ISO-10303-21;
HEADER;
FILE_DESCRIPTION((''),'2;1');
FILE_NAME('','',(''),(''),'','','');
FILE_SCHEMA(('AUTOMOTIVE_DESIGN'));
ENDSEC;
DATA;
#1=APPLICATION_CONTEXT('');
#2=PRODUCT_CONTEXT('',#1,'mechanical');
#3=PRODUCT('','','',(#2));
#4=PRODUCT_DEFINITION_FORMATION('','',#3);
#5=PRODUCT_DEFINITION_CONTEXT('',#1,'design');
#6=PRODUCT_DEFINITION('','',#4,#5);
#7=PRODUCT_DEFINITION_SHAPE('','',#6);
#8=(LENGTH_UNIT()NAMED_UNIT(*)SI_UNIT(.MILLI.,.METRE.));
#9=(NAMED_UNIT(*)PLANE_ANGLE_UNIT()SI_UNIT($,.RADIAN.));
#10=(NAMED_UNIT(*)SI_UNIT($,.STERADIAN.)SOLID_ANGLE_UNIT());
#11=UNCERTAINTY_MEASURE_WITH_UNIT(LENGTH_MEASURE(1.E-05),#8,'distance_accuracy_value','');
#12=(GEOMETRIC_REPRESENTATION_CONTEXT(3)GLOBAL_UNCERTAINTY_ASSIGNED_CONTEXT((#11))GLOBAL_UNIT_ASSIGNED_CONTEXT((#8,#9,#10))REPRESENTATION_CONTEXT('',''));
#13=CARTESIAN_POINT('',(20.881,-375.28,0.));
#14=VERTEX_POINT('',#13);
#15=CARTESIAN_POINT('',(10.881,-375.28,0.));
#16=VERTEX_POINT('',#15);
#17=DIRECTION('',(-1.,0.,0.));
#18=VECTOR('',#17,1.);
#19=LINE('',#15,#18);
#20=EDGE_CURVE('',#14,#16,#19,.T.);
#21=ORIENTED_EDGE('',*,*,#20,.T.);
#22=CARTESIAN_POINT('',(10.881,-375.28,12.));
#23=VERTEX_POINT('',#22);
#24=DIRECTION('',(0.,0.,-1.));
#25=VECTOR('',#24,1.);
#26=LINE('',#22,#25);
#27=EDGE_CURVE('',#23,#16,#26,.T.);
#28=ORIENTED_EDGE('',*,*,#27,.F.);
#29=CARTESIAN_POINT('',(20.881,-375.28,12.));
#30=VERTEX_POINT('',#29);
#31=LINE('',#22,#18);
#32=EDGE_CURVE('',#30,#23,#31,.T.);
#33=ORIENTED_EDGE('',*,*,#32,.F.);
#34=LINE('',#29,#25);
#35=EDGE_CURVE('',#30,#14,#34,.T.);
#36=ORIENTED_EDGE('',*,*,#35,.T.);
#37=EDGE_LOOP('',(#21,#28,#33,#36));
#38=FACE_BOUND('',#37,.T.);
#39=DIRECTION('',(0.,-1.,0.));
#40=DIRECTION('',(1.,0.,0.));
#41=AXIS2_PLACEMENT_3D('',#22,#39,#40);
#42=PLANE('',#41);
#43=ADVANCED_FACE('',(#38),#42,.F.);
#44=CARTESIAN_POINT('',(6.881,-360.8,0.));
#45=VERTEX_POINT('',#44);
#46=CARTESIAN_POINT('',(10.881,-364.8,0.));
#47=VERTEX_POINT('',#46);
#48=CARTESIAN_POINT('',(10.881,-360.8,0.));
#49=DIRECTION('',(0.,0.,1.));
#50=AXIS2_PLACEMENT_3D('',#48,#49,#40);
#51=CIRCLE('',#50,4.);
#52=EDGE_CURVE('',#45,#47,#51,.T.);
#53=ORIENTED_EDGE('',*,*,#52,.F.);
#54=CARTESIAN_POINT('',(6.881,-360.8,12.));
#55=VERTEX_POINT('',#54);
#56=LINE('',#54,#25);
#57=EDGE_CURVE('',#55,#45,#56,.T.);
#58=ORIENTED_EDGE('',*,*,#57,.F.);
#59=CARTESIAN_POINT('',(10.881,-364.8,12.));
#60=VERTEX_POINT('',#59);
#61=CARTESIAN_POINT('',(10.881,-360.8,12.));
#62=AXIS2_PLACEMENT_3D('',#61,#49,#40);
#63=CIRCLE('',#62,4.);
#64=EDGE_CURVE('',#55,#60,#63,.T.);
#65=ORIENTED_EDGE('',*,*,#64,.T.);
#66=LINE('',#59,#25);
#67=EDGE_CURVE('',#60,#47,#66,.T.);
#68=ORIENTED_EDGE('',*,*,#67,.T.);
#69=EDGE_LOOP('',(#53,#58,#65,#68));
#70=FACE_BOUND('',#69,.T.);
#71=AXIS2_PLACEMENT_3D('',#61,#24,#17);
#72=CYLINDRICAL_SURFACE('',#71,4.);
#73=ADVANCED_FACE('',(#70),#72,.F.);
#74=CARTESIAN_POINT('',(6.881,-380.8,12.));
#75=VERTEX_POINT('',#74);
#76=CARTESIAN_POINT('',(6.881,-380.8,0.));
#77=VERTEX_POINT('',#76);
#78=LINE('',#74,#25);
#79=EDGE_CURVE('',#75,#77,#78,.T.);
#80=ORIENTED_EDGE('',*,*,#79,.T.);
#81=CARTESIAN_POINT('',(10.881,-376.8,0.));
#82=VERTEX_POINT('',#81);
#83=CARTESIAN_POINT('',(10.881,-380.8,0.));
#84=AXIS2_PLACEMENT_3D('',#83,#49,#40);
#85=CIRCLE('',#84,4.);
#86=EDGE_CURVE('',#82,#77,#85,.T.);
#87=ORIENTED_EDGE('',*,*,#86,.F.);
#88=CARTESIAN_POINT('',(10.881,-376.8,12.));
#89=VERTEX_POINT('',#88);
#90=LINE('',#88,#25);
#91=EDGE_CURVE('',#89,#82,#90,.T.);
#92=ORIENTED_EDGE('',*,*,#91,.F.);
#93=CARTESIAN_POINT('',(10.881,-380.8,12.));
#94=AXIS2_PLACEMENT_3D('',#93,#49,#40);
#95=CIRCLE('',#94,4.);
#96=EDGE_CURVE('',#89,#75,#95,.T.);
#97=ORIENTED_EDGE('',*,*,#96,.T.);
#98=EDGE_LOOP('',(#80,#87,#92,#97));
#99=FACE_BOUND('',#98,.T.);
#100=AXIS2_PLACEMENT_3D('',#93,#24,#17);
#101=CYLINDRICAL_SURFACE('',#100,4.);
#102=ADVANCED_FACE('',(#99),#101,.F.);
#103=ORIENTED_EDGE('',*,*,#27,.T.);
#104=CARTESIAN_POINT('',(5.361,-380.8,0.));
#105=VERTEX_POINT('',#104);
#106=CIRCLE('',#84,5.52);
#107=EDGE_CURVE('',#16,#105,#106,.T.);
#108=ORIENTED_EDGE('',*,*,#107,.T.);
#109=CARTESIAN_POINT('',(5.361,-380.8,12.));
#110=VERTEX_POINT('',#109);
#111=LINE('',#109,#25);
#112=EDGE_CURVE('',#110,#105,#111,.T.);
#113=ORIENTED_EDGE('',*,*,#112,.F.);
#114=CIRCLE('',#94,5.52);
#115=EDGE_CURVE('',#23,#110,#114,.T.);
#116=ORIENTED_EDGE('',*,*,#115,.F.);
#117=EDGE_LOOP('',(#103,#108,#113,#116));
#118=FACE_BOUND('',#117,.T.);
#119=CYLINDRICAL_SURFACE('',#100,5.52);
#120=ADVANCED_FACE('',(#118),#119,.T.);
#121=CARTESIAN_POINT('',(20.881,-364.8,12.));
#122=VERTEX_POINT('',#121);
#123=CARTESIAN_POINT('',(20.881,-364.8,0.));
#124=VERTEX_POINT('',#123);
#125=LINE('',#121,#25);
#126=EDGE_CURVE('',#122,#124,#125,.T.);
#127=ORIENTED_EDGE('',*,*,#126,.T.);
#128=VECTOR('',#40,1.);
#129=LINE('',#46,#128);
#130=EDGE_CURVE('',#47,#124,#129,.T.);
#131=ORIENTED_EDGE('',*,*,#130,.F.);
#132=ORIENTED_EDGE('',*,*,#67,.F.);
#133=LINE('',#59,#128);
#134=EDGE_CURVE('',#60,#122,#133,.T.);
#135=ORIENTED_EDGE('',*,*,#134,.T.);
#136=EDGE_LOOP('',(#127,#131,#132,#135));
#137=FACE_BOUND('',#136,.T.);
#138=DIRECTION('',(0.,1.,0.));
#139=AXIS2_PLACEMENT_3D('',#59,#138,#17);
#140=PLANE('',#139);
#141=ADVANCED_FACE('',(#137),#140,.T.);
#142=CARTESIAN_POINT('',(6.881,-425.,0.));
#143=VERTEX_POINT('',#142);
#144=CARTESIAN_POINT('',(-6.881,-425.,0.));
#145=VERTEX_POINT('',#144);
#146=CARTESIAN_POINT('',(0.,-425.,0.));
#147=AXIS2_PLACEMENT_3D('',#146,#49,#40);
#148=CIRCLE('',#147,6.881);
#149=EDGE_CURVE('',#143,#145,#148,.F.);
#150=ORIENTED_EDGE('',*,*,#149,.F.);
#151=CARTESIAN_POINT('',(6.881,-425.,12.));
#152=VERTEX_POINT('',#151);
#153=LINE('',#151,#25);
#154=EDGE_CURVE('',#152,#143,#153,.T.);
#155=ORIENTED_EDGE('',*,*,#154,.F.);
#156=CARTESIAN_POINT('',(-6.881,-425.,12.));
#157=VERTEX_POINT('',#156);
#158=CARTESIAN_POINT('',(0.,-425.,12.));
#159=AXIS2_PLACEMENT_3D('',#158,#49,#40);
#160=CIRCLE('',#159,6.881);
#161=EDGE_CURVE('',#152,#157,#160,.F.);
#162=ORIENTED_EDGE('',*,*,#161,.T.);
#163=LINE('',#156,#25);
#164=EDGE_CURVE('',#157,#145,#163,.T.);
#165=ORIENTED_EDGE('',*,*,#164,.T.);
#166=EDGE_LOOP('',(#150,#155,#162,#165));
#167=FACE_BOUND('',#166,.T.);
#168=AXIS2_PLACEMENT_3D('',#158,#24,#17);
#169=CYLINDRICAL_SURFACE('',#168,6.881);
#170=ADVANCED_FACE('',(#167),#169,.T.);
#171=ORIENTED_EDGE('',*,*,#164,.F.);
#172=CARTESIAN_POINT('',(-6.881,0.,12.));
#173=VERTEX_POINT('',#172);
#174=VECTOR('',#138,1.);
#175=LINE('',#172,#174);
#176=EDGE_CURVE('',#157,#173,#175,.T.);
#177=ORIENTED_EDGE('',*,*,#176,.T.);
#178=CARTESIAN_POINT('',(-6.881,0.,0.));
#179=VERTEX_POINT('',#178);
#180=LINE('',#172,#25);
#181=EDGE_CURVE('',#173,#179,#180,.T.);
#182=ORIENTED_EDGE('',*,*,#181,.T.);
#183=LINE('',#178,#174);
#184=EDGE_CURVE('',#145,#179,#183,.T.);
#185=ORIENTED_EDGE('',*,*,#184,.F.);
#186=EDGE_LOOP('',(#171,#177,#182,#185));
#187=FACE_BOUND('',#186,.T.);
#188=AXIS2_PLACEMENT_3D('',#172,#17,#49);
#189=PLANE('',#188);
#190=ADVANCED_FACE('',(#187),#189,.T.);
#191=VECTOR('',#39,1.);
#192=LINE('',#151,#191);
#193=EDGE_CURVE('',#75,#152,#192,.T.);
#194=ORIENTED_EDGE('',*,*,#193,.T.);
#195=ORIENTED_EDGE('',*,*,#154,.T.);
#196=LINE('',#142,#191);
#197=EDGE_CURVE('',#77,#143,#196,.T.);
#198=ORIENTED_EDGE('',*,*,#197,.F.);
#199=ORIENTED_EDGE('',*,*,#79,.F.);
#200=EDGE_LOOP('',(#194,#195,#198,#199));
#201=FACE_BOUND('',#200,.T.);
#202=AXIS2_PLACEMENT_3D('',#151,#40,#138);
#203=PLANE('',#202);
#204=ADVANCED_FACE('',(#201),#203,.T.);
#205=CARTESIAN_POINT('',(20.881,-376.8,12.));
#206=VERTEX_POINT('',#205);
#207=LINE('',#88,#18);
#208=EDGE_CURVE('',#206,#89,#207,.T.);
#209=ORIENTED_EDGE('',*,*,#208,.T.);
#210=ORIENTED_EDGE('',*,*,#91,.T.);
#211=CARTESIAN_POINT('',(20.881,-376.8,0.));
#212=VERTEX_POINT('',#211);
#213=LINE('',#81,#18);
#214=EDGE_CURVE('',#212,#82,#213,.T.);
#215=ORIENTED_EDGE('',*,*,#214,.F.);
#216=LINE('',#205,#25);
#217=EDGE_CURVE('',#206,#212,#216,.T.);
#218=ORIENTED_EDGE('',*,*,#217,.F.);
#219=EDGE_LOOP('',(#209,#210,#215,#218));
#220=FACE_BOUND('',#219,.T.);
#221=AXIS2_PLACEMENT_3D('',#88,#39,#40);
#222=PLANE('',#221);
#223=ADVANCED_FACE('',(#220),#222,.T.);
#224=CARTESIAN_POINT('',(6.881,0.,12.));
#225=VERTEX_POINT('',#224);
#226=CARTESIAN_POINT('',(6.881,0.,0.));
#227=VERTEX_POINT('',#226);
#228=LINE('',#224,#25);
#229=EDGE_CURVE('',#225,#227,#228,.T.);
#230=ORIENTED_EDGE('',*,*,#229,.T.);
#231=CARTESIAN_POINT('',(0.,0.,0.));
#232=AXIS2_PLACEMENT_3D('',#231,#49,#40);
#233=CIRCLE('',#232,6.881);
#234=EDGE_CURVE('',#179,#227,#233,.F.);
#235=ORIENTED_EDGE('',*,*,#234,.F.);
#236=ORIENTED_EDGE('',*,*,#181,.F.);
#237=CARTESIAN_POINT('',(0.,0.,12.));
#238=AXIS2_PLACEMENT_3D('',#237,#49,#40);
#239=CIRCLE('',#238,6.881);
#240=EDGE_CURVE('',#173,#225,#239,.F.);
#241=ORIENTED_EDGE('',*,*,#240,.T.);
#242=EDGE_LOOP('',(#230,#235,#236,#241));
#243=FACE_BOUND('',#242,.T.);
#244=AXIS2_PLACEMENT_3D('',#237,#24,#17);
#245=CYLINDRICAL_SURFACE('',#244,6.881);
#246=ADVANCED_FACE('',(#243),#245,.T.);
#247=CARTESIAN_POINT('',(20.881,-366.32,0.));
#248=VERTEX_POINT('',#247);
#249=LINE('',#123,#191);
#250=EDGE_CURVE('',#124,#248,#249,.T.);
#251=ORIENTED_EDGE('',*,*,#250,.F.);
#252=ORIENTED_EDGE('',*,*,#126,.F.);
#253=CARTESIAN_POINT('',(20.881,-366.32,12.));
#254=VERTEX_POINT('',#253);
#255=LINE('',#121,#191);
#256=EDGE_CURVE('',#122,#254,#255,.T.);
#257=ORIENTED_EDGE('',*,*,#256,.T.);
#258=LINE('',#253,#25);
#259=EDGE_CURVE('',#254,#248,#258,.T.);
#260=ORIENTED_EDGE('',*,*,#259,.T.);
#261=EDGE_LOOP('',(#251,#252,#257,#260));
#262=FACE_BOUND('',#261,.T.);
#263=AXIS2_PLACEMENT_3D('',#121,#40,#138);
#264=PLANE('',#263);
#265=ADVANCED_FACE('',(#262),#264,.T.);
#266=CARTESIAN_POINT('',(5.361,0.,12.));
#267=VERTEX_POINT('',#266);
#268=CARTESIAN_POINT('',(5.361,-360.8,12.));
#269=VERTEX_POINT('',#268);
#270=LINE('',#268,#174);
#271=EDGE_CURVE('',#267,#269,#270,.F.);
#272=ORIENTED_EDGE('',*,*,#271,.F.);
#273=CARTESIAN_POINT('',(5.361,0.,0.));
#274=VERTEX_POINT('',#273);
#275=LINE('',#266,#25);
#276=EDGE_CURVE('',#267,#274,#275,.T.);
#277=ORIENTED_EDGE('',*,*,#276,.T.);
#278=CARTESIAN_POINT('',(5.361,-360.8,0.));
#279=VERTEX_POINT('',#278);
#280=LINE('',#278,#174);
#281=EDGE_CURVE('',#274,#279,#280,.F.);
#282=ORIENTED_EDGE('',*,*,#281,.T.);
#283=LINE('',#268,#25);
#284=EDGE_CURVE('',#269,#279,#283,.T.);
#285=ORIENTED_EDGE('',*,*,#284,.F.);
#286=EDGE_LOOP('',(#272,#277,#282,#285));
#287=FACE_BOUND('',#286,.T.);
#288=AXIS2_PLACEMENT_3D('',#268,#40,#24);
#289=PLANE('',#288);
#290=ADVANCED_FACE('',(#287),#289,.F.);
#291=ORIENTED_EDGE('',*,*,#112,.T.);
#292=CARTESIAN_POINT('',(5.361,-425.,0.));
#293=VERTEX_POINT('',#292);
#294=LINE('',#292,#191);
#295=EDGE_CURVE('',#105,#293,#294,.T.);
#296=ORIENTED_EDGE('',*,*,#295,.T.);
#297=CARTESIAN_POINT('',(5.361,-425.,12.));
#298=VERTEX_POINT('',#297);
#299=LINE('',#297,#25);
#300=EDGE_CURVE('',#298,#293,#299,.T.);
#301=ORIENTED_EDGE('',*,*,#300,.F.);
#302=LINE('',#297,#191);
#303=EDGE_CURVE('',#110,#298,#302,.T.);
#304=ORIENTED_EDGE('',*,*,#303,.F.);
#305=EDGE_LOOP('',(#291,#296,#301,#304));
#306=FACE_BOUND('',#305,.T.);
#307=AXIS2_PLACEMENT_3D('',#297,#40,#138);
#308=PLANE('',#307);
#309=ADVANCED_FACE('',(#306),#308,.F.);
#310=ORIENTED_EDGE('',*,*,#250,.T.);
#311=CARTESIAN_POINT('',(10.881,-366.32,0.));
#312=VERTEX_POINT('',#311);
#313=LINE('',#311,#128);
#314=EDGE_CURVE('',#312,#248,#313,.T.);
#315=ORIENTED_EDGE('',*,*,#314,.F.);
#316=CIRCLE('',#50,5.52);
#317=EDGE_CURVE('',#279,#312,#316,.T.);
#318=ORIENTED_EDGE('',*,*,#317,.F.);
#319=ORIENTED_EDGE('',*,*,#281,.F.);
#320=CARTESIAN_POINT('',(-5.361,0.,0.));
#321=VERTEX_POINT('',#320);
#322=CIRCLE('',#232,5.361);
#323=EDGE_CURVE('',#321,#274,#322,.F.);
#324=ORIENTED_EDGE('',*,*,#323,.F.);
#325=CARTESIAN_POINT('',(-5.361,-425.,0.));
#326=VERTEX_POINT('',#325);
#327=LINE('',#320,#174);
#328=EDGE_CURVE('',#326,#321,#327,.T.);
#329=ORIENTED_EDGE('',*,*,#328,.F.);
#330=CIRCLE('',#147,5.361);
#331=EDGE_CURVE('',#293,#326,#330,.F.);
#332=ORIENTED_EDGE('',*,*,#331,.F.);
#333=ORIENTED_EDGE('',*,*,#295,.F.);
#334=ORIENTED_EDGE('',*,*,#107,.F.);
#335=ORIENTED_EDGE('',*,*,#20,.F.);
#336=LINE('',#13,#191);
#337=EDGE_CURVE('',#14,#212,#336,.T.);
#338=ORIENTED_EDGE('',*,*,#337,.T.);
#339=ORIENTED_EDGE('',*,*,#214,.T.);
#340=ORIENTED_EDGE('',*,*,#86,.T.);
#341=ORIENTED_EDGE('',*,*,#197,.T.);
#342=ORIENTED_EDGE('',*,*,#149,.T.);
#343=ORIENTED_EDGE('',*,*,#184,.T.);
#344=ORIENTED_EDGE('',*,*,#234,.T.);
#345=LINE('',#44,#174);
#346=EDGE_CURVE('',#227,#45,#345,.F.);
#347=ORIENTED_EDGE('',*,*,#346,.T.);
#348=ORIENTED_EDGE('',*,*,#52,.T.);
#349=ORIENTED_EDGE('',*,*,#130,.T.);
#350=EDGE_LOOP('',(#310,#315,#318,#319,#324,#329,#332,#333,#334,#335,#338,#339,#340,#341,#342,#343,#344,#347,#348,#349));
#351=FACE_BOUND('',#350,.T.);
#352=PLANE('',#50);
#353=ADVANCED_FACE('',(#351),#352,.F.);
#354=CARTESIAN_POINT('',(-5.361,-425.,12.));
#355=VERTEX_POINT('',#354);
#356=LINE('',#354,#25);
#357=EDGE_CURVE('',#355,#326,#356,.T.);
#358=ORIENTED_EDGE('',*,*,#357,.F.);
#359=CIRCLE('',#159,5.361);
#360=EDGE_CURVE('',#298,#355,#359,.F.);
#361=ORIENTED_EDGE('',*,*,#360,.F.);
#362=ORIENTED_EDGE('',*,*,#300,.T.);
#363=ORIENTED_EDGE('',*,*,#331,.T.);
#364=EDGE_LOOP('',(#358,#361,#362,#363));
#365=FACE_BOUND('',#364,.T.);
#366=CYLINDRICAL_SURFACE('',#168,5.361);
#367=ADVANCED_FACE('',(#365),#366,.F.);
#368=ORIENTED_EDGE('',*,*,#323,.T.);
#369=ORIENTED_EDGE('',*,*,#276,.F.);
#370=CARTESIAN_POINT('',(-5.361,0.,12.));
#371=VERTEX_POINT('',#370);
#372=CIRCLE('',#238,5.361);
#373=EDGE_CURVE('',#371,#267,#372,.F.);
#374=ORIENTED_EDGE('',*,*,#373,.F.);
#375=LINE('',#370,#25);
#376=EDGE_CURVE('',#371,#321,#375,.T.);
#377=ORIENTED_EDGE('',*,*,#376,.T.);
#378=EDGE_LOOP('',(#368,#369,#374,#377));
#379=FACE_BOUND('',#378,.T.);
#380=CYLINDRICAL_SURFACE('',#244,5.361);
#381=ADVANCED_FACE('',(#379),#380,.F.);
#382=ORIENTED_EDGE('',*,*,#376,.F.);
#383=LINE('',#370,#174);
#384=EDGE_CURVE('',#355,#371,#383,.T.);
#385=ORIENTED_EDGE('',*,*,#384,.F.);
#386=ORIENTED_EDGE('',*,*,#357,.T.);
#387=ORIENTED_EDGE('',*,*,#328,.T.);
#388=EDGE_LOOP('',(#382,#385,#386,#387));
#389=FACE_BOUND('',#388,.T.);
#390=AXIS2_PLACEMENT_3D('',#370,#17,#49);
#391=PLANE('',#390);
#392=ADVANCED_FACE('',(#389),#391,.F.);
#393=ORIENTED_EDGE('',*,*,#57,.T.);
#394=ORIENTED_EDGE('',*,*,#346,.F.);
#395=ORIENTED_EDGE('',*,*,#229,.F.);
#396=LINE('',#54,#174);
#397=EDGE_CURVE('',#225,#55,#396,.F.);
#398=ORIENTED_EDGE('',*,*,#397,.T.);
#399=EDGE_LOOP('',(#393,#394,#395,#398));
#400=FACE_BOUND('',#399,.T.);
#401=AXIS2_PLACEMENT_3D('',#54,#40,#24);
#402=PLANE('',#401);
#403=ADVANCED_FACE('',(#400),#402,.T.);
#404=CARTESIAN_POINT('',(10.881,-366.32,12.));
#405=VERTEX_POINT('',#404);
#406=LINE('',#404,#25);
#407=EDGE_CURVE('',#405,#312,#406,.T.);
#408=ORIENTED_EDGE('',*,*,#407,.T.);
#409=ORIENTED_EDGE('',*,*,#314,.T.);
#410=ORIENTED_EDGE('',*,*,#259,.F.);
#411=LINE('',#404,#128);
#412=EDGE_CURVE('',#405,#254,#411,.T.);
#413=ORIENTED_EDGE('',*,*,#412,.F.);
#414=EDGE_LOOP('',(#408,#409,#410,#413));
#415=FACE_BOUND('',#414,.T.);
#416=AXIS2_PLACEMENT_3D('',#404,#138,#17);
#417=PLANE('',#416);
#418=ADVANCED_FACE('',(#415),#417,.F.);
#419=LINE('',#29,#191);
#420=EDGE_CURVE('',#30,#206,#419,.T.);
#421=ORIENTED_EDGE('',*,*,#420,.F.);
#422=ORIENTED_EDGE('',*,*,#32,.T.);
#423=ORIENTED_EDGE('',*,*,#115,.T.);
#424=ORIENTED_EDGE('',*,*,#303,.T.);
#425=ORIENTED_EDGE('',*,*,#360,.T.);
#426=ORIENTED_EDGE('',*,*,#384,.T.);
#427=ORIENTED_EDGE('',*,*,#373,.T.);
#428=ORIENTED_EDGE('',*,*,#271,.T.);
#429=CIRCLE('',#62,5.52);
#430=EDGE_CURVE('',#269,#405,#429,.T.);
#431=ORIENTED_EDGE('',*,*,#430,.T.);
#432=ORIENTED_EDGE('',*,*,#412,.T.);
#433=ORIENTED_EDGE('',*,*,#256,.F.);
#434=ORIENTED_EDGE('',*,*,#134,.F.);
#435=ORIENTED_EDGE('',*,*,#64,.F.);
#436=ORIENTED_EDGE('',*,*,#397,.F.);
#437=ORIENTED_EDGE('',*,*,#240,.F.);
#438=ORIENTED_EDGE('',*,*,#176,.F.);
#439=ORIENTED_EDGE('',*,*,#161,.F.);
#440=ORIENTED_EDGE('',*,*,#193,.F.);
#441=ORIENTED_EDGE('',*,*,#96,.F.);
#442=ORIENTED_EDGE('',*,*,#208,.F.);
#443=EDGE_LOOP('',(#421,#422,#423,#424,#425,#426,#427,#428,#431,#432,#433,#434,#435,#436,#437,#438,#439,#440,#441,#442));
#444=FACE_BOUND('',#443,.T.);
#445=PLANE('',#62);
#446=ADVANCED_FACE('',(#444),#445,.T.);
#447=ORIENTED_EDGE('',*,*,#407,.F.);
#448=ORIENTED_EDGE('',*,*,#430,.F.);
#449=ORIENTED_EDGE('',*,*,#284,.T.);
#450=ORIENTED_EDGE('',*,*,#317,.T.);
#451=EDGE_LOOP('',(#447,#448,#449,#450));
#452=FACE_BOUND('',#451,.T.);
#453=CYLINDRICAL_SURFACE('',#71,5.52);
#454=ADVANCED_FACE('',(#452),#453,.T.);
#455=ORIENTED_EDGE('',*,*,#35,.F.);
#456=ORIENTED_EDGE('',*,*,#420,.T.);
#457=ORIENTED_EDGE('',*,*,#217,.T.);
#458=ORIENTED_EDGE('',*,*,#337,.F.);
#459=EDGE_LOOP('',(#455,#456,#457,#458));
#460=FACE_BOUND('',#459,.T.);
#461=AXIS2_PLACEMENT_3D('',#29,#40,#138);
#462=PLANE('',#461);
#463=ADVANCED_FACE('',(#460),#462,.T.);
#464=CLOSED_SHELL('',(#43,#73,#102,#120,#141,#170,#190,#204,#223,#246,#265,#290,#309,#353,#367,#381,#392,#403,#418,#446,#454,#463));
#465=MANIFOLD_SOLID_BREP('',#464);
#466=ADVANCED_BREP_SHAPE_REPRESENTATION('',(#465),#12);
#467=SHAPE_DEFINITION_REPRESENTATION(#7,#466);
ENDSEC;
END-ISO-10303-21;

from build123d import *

# Parameters (mm, degrees)
EXTRUDE_THIN1_DEPTH = 12


with BuildPart() as part:
    # Sketch1 → Extrude-Thin1 (new body)
    with BuildSketch(Plane.XY):
        with BuildLine():
            Line((20.881, -364.8), (10.881, -364.8))
            ThreePointArc((10.881, -364.8), (8.052572875, -363.628427125), (6.881, -360.8))
            Line((6.881, -360.8), (6.881, 0))
            ThreePointArc((6.881, 0), (0, 6.881), (-6.881, 0))
            Line((-6.881, 0), (-6.881, -425))
            ThreePointArc((-6.881, -425), (0, -431.881), (6.881, -425))
            Line((6.881, -425), (6.881, -380.8))
            ThreePointArc((6.881, -380.8), (8.052572875, -377.971572875), (10.881, -376.8))
            Line((10.881, -376.8), (20.881, -376.8))
            Line((20.881, -376.8), (20.881, -375.28))
            Line((20.881, -375.28), (10.881, -375.28))
            ThreePointArc((10.881, -375.28), (6.977770568, -376.896770568), (5.361, -380.8))
            Line((5.361, -380.8), (5.361, -425))
            ThreePointArc((5.361, -425), (0, -430.361), (-5.361, -425))
            Line((-5.361, -425), (-5.361, 0))
            ThreePointArc((-5.361, 0), (0, 5.361), (5.361, 0))
            Line((5.361, 0), (5.361, -360.8))
            ThreePointArc((5.361, -360.8), (6.977770568, -364.703229432), (10.881, -366.32))
            Line((10.881, -366.32), (20.881, -366.32))
            Line((20.881, -366.32), (20.881, -364.8))
        make_face()
    extrude(amount=EXTRUDE_THIN1_DEPTH)


solid = part.part
